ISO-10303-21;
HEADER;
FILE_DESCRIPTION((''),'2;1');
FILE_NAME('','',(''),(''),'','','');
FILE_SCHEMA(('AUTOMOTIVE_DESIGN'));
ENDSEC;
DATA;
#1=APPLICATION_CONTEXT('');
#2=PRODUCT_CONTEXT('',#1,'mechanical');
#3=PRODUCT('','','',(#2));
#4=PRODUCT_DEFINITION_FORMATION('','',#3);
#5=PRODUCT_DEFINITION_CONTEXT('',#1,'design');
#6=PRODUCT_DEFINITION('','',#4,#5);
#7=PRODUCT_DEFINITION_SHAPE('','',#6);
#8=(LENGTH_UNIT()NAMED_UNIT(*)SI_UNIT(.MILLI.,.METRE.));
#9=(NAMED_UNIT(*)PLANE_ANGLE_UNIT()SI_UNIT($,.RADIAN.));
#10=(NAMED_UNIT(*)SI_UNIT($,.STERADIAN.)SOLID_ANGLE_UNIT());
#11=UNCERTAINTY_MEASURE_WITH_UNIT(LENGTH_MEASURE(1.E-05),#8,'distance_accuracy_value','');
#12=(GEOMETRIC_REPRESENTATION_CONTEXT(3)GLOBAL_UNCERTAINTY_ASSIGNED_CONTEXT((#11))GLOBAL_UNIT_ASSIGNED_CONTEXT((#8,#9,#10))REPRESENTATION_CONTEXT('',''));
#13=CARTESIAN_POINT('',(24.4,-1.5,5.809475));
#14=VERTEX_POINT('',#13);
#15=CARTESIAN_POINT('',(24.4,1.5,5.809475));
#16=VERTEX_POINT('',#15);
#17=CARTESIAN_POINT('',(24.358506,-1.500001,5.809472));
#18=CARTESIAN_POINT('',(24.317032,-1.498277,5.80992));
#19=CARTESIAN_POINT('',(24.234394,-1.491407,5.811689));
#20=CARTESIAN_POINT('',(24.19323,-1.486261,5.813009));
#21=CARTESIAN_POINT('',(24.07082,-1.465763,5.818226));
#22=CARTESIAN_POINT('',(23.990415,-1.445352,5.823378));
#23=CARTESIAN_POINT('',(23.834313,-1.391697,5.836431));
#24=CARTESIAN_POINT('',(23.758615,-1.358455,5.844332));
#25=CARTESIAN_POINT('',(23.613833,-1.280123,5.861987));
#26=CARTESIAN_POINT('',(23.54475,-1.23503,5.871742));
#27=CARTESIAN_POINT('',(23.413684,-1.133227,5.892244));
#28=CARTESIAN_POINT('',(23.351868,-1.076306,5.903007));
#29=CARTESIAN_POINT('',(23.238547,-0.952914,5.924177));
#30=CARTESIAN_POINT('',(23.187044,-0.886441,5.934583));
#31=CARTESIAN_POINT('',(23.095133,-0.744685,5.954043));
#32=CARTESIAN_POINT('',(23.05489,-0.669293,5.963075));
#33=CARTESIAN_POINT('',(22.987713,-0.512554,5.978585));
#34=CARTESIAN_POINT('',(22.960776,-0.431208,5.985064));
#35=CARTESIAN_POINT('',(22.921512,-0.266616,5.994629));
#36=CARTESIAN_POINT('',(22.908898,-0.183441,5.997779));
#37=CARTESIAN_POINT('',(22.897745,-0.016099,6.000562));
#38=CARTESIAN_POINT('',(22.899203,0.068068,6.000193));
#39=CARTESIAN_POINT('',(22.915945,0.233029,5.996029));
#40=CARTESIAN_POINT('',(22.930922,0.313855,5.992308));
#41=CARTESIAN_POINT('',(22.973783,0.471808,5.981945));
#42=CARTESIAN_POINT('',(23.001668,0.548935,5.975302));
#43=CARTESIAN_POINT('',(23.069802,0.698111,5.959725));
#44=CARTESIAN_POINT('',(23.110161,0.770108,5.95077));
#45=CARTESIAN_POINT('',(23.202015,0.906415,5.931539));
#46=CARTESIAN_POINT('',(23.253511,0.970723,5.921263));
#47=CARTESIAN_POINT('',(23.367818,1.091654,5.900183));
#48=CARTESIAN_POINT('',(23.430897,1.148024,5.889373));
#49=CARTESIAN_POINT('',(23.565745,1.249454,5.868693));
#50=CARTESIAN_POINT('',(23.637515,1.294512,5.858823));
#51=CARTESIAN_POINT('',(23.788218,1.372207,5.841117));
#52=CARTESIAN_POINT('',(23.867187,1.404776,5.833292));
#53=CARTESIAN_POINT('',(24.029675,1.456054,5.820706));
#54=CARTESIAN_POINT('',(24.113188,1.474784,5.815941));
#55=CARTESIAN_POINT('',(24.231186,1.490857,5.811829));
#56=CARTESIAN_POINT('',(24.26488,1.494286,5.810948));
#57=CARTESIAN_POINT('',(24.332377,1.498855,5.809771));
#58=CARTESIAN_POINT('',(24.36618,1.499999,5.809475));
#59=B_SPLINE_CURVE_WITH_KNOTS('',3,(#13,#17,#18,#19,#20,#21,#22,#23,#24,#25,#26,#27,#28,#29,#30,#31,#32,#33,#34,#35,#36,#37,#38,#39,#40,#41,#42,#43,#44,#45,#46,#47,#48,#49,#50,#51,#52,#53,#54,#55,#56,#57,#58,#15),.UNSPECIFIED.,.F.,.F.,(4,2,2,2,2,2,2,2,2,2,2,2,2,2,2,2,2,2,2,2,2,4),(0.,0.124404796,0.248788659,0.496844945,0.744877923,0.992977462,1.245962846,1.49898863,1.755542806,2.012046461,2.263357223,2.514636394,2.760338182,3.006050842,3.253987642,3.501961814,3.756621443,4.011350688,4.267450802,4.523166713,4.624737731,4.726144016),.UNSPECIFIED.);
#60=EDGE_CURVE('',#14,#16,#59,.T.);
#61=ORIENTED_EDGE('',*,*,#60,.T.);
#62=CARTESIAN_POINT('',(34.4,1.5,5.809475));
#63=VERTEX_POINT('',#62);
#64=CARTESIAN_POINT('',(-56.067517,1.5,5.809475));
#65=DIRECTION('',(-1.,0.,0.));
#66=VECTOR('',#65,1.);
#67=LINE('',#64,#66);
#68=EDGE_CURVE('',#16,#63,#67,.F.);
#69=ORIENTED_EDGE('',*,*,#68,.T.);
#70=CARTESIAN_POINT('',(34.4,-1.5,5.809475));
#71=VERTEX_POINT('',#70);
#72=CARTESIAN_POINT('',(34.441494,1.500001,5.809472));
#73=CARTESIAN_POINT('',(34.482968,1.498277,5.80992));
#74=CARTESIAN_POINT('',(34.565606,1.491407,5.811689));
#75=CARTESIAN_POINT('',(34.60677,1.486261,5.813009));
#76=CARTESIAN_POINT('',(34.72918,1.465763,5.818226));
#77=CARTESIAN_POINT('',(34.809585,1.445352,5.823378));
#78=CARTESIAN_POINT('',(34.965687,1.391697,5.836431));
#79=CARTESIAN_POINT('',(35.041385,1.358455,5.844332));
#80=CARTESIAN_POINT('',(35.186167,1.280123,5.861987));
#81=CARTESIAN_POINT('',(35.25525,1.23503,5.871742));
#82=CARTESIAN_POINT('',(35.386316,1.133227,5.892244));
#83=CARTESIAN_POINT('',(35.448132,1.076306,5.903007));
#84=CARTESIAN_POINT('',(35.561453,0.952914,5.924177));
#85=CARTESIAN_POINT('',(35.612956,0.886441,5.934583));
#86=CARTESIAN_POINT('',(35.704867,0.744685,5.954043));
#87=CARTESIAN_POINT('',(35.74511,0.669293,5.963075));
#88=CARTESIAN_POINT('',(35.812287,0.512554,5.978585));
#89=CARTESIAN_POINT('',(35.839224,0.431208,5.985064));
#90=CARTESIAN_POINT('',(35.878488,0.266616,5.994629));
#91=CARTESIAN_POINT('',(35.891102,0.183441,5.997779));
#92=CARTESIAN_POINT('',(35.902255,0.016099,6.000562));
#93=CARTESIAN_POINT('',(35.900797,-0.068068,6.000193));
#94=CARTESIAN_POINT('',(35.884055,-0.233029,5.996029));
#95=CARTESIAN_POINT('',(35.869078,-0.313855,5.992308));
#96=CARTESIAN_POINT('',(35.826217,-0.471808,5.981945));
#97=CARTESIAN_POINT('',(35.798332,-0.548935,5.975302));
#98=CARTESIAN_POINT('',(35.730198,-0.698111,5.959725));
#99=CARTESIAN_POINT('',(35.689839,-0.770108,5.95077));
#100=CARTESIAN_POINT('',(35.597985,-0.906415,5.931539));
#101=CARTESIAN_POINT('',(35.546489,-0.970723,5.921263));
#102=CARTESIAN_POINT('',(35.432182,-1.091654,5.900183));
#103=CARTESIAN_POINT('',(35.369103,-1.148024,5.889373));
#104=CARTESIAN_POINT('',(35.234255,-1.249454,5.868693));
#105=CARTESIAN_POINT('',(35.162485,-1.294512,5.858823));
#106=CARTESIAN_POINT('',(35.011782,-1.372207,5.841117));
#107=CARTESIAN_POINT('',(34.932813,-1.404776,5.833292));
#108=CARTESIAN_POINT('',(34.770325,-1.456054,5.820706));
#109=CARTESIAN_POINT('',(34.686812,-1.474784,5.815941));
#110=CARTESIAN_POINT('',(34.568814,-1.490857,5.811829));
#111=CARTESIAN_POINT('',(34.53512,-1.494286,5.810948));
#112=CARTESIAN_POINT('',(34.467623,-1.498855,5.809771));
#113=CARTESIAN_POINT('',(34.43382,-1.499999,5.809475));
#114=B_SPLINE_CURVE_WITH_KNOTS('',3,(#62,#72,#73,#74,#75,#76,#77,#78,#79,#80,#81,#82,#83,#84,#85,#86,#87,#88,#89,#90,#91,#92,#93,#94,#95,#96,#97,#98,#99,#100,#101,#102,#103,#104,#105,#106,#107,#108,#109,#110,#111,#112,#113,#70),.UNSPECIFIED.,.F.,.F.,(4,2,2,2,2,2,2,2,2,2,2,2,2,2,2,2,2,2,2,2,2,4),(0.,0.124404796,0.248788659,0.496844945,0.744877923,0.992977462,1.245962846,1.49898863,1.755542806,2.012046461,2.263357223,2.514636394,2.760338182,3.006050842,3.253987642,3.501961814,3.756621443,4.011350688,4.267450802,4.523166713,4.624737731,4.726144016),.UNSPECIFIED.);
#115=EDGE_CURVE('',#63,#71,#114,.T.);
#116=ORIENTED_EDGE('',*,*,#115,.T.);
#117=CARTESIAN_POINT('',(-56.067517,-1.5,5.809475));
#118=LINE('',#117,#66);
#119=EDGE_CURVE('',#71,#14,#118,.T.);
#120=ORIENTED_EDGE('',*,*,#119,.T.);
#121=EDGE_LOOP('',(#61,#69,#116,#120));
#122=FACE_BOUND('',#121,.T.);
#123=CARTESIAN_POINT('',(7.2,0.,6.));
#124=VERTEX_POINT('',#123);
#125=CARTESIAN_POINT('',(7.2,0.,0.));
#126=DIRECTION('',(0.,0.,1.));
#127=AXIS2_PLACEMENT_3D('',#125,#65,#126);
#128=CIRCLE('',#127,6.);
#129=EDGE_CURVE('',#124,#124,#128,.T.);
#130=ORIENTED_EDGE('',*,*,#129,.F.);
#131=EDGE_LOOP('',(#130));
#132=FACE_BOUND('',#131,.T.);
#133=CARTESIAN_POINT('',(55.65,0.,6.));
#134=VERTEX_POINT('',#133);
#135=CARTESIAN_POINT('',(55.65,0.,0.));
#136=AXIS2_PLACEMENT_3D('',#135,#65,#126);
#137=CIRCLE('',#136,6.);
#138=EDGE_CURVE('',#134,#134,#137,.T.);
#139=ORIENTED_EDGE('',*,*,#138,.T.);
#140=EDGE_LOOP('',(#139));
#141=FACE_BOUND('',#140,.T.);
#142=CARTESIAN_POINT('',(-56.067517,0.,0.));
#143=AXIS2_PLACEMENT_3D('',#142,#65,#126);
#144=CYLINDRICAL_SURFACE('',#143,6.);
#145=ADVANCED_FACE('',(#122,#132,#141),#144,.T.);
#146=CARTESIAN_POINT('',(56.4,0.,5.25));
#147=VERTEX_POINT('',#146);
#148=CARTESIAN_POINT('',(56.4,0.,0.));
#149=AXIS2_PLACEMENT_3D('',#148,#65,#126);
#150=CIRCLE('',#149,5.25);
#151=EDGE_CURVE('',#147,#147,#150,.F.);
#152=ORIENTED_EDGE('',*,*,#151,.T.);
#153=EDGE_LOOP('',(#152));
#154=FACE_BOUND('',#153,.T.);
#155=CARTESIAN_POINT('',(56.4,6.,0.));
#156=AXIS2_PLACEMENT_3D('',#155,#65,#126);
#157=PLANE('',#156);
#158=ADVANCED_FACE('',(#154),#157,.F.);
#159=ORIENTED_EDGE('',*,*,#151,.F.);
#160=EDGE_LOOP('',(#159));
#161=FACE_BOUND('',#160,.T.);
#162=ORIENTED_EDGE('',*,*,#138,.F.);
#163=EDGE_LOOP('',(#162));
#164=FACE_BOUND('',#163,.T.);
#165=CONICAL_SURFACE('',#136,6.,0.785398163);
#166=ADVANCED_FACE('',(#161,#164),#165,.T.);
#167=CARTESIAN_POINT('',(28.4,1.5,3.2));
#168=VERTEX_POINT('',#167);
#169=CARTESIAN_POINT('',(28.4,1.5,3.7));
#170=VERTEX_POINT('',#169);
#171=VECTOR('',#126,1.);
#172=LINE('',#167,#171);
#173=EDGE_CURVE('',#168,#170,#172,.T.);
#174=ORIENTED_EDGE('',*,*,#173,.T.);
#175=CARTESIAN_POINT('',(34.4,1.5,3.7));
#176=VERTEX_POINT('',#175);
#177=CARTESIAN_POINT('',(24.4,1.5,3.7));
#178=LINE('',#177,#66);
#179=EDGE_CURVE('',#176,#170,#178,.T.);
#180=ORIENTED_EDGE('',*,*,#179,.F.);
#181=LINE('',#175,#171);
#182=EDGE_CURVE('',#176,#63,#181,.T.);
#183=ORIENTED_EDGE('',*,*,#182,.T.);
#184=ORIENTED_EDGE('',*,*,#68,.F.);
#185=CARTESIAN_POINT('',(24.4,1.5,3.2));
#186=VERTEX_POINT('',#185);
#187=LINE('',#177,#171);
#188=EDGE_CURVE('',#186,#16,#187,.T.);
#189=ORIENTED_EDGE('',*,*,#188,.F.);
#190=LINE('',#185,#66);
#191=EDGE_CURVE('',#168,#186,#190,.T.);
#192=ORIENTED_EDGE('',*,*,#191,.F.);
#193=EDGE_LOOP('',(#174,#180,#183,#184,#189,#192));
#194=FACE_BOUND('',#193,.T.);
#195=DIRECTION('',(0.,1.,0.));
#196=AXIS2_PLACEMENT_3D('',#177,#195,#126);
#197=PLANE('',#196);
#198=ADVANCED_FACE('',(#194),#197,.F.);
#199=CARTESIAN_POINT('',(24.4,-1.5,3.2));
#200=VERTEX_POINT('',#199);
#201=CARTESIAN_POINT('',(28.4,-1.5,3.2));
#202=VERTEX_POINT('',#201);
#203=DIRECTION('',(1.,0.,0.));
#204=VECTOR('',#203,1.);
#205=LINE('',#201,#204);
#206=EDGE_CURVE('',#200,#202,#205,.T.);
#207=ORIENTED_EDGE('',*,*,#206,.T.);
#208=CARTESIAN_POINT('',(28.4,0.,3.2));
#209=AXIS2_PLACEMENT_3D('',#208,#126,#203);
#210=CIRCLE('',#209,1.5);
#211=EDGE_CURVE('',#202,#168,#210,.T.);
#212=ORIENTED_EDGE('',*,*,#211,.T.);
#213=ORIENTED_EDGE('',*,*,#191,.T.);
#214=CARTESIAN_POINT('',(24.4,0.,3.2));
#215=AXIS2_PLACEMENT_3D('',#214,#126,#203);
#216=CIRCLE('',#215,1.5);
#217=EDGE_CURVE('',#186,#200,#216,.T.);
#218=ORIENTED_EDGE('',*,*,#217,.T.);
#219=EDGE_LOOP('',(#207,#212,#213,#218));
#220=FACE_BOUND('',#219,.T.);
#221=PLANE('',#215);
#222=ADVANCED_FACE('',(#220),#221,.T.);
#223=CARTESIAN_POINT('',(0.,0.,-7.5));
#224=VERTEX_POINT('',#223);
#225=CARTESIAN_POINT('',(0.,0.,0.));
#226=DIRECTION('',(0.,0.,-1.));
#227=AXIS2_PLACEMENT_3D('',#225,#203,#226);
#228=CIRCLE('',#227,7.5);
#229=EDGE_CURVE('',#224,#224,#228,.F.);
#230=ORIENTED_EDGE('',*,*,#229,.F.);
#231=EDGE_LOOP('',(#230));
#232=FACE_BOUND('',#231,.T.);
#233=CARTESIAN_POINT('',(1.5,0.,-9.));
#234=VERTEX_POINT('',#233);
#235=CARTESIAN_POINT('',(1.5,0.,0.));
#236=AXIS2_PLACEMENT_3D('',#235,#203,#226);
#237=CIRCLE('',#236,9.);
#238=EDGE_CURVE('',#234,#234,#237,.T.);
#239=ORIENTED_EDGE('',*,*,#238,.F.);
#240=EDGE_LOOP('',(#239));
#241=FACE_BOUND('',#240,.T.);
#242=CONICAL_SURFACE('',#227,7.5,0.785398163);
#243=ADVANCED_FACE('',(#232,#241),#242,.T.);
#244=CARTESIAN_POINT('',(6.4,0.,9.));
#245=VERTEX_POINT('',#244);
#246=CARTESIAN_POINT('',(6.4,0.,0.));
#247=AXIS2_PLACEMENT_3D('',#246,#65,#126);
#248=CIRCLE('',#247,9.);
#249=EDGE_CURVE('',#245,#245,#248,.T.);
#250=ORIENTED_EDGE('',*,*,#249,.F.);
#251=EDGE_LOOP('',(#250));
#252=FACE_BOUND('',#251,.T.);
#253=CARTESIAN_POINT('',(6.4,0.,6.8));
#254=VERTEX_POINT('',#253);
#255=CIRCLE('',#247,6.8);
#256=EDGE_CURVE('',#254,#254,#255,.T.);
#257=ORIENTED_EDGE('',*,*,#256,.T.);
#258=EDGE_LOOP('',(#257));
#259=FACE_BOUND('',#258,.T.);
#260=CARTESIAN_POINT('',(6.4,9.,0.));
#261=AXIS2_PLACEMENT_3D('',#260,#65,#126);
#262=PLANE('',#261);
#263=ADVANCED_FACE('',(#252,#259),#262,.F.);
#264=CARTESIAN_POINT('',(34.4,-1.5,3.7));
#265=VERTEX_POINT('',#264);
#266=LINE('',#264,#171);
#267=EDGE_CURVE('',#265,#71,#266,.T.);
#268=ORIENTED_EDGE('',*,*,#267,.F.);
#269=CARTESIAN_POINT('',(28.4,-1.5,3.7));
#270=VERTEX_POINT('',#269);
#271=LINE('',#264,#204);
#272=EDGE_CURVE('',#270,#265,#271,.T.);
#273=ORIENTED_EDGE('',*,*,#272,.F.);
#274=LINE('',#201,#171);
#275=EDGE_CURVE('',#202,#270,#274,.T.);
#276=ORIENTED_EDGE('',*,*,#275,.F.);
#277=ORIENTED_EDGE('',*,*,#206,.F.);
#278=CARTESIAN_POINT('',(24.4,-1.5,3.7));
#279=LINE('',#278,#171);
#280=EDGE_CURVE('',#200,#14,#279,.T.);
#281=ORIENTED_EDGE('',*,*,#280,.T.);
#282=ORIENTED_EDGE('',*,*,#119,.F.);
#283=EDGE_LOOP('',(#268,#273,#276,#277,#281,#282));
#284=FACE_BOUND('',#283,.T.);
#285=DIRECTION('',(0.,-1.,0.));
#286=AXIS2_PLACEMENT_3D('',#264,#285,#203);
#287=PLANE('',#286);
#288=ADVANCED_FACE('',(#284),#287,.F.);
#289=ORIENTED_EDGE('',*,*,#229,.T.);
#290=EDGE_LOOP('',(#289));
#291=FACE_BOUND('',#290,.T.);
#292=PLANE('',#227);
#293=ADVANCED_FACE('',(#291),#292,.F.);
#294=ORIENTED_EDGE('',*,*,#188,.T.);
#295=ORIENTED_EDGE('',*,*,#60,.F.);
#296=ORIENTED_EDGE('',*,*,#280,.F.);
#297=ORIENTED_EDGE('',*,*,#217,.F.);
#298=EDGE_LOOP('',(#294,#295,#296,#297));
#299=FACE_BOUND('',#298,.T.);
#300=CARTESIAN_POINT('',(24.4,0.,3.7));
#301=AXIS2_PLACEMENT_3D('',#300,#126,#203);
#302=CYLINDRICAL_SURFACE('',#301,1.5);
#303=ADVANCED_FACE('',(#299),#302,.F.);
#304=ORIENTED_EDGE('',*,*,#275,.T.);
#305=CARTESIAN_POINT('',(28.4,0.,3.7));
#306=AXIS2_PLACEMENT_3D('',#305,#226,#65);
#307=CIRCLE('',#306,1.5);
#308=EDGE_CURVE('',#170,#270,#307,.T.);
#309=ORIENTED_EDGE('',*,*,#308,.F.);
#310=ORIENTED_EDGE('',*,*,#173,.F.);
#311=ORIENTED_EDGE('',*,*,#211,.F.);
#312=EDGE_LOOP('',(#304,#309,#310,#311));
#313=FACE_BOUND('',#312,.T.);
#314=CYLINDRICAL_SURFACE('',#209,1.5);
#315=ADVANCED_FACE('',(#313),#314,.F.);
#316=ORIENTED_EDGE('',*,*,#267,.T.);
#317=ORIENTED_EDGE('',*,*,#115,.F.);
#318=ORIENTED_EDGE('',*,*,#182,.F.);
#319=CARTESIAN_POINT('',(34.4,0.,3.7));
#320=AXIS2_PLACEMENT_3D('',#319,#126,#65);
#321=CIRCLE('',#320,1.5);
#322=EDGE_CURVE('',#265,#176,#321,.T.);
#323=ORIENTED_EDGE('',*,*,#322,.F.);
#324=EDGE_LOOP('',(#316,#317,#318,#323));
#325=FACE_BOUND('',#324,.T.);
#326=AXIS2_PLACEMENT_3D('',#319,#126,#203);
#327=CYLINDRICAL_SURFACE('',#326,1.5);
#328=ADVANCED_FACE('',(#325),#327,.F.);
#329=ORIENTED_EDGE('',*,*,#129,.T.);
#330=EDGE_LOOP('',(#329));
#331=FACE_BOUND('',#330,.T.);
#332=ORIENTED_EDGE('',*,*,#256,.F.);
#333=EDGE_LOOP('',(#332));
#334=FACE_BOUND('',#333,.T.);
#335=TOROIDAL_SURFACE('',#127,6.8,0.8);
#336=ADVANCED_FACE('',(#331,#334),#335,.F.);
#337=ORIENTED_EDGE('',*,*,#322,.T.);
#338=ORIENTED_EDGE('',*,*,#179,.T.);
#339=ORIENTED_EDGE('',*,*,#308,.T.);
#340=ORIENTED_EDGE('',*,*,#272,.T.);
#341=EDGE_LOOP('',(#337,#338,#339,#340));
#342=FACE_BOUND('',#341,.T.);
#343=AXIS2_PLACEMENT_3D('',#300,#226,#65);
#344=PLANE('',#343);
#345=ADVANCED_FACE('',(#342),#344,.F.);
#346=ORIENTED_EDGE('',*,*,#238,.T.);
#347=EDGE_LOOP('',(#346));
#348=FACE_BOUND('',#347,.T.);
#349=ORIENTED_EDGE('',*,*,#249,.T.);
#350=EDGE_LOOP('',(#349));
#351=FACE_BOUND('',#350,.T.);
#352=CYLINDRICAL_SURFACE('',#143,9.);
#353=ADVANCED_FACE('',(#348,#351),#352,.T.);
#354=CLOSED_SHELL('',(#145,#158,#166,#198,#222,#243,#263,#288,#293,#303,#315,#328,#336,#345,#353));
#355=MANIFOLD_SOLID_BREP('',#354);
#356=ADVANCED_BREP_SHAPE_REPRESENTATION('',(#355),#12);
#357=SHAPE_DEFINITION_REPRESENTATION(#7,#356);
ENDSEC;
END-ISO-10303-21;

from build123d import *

# Parameters (mm, degrees)
HEADCHAMFER_SIZE   = 1.5
CUT_EXTRUDE1_DEPTH = 2.3
CUT_EXTRUDE2_DEPTH = 2.8
BODYCHAMFER_SIZE   = 0.75


with BuildPart() as part:
    # Sketch2 → Base (revolve)
    with BuildSketch(Plane.XY, mode=Mode.PRIVATE) as base_sk:
        with BuildLine():
            Line((0, 0), (0, 9))
            Line((0, 9), (6.4, 9))
            Line((6.4, 9), (6.4, 6.8))
            ThreePointArc((6.4, 6.8), (6.634314575, 6.234314575), (7.2, 6))
            Line((7.2, 6), (56.4, 6))
            Line((56.4, 6), (56.4, 0))
            Line((56.4, 0), (0, 0))
        make_face()
    revolve(base_sk.sketch.rotate(Axis((-56.067516779, 0, 0), (1, 0, 0)), 90), axis=Axis((-56.067516779, 0, 0), (1, 0, 0)))

    # HeadChamfer
    headchamfer_edges = [part.edges().sort_by_distance(p)[0] for p in [
        (0, 0, -9),
    ]]
    chamfer(headchamfer_edges, length=HEADCHAMFER_SIZE)

    # Sketch3 → Cut-Extrude1 (cut)
    with BuildSketch(Plane.XY.offset(6)):
        with BuildLine():
            Line((24.4, 1.5), (34.4, 1.5))
            ThreePointArc((34.4, 1.5), (35.9, 0), (34.4, -1.5))
            Line((34.4, -1.5), (24.4, -1.5))
            ThreePointArc((24.4, -1.5), (22.9, 0), (24.4, 1.5))
        make_face()
    extrude(amount=-CUT_EXTRUDE1_DEPTH, mode=Mode.SUBTRACT)

    # Sketch4 → Cut-Extrude2 (cut)
    with BuildSketch(Plane.XY.offset(6)):
        with BuildLine():
            Line((24.4, 1.5), (28.4, 1.5))
            ThreePointArc((28.4, 1.5), (29.9, 0), (28.4, -1.5))
            Line((28.4, -1.5), (24.4, -1.5))
            ThreePointArc((24.4, -1.5), (22.9, 0), (24.4, 1.5))
        make_face()
    extrude(amount=-CUT_EXTRUDE2_DEPTH, mode=Mode.SUBTRACT)

    # BodyChamfer
    bodychamfer_edges = [part.edges().sort_by_distance(p)[0] for p in [
        (56.4, 0, -6),
    ]]
    chamfer(bodychamfer_edges, length=BODYCHAMFER_SIZE)


solid = part.part
